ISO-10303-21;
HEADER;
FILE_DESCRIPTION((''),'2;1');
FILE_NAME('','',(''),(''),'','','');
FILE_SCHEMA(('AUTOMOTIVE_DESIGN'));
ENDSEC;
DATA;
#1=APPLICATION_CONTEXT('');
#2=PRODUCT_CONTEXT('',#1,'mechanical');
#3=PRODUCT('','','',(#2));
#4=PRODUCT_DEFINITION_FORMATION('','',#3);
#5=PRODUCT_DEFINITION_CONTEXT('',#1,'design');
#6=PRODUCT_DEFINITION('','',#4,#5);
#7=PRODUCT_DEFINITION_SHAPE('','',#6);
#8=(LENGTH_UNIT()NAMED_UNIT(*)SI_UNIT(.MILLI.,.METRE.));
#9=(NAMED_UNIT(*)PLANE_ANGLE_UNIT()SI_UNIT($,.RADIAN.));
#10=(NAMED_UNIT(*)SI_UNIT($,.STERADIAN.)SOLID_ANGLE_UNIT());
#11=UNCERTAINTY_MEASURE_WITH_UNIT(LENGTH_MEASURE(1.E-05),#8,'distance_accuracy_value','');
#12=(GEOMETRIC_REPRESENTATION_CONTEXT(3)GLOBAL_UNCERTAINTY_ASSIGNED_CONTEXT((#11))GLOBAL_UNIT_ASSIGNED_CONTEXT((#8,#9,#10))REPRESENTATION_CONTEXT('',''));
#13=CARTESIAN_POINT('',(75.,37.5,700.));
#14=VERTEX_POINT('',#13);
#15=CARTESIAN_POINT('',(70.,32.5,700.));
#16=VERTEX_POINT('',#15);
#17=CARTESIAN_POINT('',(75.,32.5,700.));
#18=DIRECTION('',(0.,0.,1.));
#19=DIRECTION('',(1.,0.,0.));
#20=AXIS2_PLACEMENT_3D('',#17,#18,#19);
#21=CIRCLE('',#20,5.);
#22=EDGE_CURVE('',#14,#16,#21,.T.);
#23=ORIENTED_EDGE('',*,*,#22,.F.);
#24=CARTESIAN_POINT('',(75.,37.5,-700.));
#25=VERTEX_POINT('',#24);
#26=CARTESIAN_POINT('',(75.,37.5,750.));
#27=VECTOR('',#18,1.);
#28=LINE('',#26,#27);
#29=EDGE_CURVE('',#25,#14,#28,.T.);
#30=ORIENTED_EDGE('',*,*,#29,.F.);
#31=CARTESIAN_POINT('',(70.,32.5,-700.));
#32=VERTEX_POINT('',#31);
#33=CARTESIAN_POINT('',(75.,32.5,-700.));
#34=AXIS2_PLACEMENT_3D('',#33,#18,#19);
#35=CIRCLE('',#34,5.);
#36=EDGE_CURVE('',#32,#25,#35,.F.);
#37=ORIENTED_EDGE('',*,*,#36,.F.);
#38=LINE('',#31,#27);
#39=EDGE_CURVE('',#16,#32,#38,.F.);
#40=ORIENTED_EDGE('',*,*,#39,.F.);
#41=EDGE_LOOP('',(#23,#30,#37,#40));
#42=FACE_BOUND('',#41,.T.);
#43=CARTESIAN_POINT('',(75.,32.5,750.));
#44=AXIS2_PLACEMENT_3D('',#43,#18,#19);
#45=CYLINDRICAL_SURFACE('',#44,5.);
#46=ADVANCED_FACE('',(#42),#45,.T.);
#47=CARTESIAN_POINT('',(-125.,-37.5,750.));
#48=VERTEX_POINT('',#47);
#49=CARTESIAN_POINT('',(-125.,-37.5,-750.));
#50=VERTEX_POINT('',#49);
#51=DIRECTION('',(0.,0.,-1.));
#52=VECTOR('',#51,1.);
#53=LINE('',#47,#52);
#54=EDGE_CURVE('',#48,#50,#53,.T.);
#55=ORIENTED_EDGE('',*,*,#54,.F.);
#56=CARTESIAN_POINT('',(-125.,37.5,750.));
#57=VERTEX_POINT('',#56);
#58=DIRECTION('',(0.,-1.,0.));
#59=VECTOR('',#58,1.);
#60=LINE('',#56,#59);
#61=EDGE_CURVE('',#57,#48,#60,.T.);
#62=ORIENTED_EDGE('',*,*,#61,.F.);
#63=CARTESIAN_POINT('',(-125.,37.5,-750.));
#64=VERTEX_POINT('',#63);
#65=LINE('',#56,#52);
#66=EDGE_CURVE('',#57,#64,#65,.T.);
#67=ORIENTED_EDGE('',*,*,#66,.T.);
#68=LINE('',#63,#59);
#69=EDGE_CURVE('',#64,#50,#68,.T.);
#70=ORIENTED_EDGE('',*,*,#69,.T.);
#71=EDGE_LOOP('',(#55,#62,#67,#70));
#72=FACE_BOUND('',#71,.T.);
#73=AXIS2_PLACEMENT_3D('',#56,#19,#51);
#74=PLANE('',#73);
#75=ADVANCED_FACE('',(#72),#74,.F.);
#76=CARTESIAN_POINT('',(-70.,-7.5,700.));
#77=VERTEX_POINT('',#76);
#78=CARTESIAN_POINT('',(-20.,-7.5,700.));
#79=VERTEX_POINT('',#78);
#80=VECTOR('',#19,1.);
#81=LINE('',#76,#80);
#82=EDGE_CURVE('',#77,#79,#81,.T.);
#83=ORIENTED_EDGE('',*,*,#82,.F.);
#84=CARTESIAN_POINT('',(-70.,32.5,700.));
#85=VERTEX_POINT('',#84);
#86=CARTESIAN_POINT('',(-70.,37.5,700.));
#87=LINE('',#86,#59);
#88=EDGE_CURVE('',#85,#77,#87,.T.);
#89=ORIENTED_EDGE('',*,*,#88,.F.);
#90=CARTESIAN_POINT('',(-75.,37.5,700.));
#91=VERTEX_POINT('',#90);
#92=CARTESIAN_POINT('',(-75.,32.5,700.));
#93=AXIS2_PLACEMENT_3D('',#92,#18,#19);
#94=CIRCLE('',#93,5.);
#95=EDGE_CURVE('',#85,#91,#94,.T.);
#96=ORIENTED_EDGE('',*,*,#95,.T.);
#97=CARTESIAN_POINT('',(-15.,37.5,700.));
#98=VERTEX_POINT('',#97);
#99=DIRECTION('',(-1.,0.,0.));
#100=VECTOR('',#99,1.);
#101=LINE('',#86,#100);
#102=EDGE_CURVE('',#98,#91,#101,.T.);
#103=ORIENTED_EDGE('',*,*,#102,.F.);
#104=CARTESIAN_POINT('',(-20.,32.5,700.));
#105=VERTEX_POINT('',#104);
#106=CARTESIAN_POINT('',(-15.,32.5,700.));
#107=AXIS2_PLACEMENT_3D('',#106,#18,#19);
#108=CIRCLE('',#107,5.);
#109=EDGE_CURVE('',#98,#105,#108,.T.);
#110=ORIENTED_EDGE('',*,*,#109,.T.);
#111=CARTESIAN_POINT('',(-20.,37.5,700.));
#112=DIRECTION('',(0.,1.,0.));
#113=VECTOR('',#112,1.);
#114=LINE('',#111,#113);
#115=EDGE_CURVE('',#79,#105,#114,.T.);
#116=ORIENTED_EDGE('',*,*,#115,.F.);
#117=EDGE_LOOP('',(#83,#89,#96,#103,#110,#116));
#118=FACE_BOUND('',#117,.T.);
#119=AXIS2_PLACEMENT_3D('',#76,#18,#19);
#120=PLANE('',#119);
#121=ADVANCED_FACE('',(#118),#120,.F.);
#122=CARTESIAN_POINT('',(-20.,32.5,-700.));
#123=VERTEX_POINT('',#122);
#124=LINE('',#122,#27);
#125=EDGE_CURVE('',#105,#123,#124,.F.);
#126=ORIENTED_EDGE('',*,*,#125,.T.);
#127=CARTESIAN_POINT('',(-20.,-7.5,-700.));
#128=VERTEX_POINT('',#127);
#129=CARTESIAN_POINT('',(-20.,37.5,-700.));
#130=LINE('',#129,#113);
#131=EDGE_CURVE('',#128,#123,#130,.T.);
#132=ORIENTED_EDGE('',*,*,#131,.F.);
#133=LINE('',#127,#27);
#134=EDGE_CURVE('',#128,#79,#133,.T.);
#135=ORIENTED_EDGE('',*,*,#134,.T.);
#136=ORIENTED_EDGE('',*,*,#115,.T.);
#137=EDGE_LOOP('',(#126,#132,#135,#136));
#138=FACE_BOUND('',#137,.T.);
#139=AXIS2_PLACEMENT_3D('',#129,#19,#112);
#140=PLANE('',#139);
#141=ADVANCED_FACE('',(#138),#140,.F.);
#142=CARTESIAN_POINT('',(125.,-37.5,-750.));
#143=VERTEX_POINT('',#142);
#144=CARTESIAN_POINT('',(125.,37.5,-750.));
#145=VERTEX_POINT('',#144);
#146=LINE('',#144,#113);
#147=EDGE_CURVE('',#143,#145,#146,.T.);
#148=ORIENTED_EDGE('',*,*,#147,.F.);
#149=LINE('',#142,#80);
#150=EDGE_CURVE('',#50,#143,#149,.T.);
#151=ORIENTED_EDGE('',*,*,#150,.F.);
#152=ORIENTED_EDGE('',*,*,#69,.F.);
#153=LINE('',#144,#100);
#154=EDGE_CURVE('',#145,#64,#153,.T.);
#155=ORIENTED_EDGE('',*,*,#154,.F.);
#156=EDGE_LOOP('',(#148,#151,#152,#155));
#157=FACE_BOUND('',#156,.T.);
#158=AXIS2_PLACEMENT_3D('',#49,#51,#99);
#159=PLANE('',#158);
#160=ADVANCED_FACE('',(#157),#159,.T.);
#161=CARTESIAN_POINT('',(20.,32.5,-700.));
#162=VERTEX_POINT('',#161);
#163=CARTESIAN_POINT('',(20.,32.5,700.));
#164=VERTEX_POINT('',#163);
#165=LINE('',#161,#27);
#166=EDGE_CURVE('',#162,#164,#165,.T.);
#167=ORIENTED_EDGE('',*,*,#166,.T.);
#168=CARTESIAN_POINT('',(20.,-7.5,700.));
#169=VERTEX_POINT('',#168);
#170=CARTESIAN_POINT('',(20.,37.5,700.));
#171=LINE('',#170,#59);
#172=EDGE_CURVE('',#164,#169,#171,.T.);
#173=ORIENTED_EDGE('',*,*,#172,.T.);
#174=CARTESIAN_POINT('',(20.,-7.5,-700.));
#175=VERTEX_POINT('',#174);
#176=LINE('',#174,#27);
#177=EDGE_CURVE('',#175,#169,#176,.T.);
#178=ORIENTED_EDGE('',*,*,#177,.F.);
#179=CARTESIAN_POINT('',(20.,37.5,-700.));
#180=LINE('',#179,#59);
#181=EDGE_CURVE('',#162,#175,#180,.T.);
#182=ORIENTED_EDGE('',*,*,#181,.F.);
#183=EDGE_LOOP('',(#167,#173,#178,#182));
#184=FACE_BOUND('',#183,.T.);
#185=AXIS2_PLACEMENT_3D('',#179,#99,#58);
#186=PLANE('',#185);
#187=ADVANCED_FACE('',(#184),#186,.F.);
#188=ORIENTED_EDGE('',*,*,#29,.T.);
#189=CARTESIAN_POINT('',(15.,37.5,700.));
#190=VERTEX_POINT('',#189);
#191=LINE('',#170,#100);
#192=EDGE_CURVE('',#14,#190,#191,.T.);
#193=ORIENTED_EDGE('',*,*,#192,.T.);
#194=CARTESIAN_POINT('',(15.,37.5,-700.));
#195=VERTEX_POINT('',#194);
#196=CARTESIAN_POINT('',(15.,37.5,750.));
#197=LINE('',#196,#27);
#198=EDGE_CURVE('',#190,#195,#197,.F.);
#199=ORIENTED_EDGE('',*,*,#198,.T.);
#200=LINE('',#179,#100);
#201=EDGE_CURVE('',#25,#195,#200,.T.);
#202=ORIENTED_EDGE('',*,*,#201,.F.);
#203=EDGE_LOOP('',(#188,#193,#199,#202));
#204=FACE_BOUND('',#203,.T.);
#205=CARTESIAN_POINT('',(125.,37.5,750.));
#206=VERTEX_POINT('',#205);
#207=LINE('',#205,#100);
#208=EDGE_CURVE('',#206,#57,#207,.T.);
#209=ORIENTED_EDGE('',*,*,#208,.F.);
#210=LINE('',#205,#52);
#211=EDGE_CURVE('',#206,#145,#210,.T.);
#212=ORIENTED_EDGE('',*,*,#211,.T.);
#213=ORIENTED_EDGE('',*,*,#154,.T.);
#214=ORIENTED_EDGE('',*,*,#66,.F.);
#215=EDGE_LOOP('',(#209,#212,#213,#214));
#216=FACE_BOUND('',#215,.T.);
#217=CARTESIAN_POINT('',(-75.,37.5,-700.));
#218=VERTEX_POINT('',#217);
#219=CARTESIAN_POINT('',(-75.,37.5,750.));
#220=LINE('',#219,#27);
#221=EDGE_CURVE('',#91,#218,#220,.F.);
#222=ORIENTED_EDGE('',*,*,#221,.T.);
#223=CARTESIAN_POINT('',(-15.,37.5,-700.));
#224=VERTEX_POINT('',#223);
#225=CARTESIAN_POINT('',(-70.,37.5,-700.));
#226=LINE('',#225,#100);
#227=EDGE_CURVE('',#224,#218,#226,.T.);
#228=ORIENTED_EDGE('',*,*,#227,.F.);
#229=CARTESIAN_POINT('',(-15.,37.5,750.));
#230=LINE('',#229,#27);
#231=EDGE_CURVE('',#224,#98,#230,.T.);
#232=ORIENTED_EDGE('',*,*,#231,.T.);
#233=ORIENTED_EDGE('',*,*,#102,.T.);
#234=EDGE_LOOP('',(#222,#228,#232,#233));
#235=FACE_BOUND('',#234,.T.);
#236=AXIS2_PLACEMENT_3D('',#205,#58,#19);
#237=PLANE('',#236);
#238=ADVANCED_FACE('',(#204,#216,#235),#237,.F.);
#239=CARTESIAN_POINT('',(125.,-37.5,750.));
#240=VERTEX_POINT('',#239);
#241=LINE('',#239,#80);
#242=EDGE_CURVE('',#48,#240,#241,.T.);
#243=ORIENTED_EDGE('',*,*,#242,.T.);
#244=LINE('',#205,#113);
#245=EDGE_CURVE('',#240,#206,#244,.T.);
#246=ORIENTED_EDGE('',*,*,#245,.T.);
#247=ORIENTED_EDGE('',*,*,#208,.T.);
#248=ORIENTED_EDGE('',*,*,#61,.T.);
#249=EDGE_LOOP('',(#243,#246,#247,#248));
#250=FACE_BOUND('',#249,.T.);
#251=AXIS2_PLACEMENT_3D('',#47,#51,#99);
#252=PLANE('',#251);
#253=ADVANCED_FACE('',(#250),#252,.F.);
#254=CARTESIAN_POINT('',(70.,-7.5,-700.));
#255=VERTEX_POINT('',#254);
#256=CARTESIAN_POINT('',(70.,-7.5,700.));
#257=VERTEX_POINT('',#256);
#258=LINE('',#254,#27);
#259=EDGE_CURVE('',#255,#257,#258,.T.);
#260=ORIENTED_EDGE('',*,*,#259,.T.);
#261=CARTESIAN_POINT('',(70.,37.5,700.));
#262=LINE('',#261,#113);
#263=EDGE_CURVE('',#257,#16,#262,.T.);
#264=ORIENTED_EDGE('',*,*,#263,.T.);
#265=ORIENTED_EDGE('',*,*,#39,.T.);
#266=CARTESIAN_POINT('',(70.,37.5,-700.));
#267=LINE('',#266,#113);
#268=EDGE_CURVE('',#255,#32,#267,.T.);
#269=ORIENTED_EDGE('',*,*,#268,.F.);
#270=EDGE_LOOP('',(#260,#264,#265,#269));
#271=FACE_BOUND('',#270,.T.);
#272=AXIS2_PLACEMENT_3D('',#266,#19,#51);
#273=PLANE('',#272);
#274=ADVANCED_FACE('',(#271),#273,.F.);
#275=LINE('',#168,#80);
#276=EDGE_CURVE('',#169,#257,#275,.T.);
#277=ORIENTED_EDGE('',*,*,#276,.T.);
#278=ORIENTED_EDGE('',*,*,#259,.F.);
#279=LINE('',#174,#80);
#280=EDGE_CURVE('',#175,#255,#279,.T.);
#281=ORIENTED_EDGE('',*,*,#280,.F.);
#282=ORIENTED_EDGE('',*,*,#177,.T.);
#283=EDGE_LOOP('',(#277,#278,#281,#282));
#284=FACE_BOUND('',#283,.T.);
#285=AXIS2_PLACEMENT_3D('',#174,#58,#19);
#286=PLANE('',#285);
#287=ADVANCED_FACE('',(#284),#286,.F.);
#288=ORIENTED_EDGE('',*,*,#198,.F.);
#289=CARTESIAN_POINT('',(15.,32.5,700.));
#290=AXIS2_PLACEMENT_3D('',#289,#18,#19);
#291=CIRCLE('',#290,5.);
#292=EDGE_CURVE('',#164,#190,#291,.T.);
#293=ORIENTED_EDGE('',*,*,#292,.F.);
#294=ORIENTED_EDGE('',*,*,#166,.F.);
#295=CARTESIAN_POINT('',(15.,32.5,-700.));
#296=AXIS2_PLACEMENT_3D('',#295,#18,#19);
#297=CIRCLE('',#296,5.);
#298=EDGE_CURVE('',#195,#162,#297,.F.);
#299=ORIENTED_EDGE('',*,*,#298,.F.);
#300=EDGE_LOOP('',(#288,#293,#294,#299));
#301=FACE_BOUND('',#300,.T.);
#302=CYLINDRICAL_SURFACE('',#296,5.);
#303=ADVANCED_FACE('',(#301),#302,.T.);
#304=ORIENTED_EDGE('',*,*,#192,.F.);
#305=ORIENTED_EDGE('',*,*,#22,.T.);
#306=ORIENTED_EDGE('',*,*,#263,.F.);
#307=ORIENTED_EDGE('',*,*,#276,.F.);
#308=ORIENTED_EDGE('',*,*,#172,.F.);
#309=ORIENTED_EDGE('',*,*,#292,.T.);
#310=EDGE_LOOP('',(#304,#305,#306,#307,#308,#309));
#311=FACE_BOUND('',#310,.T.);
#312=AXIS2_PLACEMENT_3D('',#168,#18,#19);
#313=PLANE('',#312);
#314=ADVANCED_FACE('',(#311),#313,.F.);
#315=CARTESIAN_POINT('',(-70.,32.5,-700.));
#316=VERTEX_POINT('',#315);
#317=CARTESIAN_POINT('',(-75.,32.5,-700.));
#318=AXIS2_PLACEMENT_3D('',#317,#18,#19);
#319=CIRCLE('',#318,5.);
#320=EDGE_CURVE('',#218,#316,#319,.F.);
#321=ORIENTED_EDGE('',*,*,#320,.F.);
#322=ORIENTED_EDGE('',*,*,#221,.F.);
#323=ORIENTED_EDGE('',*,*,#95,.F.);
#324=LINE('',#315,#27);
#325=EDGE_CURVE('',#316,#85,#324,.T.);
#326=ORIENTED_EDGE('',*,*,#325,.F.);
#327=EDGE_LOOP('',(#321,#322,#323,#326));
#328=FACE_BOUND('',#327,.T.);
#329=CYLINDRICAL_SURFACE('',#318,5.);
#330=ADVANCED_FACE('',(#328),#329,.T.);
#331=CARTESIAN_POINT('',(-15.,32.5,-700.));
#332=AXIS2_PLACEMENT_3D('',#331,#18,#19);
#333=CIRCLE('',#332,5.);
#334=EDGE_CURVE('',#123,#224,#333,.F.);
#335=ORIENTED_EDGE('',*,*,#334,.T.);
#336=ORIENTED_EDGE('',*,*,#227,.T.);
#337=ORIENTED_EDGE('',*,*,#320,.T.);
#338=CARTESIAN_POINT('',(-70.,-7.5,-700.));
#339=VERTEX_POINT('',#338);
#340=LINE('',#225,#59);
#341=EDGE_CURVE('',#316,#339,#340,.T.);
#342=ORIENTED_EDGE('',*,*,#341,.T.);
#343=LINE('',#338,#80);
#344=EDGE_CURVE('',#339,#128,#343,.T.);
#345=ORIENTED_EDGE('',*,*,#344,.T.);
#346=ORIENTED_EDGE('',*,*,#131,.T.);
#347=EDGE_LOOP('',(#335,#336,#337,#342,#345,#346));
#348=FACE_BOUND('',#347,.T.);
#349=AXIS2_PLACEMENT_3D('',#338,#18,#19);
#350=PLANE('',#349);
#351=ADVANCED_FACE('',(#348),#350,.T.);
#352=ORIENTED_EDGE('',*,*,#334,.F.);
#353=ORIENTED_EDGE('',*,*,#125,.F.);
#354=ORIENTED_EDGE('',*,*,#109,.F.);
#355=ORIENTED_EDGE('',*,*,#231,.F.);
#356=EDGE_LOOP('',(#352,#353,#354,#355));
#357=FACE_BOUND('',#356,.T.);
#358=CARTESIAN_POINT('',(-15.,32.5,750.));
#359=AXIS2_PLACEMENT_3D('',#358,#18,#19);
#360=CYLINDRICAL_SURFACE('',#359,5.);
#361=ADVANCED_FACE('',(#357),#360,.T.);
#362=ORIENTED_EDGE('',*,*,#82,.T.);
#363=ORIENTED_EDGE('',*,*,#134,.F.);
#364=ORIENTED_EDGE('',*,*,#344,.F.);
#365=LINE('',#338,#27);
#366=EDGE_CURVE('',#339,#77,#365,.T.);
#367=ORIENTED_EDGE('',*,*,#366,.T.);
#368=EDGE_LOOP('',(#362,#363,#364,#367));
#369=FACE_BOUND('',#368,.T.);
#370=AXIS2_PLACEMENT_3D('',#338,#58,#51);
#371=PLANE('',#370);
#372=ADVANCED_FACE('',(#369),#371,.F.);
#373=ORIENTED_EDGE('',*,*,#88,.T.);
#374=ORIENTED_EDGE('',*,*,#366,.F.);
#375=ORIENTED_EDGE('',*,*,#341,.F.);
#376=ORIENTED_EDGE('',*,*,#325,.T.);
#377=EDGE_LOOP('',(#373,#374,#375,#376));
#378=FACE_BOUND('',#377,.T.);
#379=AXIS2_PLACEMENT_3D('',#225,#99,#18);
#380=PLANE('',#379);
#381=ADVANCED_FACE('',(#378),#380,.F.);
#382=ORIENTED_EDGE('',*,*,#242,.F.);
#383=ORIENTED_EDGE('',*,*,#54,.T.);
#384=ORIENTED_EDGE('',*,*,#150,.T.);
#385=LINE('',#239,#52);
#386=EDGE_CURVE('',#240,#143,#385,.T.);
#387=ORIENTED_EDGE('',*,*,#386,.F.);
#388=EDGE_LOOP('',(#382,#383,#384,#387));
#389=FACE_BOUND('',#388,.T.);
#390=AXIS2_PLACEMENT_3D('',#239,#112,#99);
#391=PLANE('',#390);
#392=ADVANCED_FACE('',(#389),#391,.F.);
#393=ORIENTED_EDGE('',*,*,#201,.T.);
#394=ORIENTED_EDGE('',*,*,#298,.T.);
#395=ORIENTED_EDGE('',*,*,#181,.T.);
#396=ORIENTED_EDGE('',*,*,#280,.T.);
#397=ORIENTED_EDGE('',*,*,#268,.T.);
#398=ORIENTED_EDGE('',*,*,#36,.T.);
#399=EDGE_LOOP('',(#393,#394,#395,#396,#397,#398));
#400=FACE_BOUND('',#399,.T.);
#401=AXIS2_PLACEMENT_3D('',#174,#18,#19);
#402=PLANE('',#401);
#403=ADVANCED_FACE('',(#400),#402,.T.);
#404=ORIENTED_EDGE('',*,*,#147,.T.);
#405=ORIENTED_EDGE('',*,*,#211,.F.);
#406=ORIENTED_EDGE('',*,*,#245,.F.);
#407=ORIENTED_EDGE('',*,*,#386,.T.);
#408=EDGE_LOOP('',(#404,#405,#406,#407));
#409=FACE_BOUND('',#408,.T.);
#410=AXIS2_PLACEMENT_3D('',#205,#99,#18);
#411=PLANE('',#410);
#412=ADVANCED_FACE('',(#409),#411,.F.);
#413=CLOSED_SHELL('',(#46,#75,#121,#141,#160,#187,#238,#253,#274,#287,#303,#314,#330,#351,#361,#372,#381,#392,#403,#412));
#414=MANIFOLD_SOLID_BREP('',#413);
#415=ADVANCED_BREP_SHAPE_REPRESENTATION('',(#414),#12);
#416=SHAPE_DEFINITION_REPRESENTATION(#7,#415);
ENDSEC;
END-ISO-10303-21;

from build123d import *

# Parameters (mm, degrees)
SKETCH1_W           = 250
SKETCH1_H           = 75
BOSS_EXTRUDE1_DEPTH = 750
SKETCH2_W           = 50
SKETCH2_H           = 45
CUT_EXTRUDE1_DEPTH  = 700
FILLET1_R           = 5


with BuildPart() as part:
    # Sketch1 → Boss-Extrude1 (new, symmetric)
    with BuildSketch(Plane.XY):
        Rectangle(SKETCH1_W, SKETCH1_H)
    extrude(amount=BOSS_EXTRUDE1_DEPTH, both=True)

    # Sketch2 → Cut-Extrude1 (cut, symmetric)
    with BuildSketch(Plane.XY):
        with Locations((-45, 15)):
            Rectangle(SKETCH2_W, SKETCH2_H)
        with Locations((45, 15)):
            Rectangle(SKETCH2_W, SKETCH2_H)
    extrude(amount=CUT_EXTRUDE1_DEPTH, both=True, mode=Mode.SUBTRACT)

    # Fillet1
    fillet1_edges = [part.edges().sort_by_distance(p)[0] for p in [
        (-70, 37.5, 0),
        (-20, 37.5, 0),
        (20, 37.5, 0),
        (70, 37.5, 0),
    ]]
    fillet(fillet1_edges, radius=FILLET1_R)


solid = part.part
